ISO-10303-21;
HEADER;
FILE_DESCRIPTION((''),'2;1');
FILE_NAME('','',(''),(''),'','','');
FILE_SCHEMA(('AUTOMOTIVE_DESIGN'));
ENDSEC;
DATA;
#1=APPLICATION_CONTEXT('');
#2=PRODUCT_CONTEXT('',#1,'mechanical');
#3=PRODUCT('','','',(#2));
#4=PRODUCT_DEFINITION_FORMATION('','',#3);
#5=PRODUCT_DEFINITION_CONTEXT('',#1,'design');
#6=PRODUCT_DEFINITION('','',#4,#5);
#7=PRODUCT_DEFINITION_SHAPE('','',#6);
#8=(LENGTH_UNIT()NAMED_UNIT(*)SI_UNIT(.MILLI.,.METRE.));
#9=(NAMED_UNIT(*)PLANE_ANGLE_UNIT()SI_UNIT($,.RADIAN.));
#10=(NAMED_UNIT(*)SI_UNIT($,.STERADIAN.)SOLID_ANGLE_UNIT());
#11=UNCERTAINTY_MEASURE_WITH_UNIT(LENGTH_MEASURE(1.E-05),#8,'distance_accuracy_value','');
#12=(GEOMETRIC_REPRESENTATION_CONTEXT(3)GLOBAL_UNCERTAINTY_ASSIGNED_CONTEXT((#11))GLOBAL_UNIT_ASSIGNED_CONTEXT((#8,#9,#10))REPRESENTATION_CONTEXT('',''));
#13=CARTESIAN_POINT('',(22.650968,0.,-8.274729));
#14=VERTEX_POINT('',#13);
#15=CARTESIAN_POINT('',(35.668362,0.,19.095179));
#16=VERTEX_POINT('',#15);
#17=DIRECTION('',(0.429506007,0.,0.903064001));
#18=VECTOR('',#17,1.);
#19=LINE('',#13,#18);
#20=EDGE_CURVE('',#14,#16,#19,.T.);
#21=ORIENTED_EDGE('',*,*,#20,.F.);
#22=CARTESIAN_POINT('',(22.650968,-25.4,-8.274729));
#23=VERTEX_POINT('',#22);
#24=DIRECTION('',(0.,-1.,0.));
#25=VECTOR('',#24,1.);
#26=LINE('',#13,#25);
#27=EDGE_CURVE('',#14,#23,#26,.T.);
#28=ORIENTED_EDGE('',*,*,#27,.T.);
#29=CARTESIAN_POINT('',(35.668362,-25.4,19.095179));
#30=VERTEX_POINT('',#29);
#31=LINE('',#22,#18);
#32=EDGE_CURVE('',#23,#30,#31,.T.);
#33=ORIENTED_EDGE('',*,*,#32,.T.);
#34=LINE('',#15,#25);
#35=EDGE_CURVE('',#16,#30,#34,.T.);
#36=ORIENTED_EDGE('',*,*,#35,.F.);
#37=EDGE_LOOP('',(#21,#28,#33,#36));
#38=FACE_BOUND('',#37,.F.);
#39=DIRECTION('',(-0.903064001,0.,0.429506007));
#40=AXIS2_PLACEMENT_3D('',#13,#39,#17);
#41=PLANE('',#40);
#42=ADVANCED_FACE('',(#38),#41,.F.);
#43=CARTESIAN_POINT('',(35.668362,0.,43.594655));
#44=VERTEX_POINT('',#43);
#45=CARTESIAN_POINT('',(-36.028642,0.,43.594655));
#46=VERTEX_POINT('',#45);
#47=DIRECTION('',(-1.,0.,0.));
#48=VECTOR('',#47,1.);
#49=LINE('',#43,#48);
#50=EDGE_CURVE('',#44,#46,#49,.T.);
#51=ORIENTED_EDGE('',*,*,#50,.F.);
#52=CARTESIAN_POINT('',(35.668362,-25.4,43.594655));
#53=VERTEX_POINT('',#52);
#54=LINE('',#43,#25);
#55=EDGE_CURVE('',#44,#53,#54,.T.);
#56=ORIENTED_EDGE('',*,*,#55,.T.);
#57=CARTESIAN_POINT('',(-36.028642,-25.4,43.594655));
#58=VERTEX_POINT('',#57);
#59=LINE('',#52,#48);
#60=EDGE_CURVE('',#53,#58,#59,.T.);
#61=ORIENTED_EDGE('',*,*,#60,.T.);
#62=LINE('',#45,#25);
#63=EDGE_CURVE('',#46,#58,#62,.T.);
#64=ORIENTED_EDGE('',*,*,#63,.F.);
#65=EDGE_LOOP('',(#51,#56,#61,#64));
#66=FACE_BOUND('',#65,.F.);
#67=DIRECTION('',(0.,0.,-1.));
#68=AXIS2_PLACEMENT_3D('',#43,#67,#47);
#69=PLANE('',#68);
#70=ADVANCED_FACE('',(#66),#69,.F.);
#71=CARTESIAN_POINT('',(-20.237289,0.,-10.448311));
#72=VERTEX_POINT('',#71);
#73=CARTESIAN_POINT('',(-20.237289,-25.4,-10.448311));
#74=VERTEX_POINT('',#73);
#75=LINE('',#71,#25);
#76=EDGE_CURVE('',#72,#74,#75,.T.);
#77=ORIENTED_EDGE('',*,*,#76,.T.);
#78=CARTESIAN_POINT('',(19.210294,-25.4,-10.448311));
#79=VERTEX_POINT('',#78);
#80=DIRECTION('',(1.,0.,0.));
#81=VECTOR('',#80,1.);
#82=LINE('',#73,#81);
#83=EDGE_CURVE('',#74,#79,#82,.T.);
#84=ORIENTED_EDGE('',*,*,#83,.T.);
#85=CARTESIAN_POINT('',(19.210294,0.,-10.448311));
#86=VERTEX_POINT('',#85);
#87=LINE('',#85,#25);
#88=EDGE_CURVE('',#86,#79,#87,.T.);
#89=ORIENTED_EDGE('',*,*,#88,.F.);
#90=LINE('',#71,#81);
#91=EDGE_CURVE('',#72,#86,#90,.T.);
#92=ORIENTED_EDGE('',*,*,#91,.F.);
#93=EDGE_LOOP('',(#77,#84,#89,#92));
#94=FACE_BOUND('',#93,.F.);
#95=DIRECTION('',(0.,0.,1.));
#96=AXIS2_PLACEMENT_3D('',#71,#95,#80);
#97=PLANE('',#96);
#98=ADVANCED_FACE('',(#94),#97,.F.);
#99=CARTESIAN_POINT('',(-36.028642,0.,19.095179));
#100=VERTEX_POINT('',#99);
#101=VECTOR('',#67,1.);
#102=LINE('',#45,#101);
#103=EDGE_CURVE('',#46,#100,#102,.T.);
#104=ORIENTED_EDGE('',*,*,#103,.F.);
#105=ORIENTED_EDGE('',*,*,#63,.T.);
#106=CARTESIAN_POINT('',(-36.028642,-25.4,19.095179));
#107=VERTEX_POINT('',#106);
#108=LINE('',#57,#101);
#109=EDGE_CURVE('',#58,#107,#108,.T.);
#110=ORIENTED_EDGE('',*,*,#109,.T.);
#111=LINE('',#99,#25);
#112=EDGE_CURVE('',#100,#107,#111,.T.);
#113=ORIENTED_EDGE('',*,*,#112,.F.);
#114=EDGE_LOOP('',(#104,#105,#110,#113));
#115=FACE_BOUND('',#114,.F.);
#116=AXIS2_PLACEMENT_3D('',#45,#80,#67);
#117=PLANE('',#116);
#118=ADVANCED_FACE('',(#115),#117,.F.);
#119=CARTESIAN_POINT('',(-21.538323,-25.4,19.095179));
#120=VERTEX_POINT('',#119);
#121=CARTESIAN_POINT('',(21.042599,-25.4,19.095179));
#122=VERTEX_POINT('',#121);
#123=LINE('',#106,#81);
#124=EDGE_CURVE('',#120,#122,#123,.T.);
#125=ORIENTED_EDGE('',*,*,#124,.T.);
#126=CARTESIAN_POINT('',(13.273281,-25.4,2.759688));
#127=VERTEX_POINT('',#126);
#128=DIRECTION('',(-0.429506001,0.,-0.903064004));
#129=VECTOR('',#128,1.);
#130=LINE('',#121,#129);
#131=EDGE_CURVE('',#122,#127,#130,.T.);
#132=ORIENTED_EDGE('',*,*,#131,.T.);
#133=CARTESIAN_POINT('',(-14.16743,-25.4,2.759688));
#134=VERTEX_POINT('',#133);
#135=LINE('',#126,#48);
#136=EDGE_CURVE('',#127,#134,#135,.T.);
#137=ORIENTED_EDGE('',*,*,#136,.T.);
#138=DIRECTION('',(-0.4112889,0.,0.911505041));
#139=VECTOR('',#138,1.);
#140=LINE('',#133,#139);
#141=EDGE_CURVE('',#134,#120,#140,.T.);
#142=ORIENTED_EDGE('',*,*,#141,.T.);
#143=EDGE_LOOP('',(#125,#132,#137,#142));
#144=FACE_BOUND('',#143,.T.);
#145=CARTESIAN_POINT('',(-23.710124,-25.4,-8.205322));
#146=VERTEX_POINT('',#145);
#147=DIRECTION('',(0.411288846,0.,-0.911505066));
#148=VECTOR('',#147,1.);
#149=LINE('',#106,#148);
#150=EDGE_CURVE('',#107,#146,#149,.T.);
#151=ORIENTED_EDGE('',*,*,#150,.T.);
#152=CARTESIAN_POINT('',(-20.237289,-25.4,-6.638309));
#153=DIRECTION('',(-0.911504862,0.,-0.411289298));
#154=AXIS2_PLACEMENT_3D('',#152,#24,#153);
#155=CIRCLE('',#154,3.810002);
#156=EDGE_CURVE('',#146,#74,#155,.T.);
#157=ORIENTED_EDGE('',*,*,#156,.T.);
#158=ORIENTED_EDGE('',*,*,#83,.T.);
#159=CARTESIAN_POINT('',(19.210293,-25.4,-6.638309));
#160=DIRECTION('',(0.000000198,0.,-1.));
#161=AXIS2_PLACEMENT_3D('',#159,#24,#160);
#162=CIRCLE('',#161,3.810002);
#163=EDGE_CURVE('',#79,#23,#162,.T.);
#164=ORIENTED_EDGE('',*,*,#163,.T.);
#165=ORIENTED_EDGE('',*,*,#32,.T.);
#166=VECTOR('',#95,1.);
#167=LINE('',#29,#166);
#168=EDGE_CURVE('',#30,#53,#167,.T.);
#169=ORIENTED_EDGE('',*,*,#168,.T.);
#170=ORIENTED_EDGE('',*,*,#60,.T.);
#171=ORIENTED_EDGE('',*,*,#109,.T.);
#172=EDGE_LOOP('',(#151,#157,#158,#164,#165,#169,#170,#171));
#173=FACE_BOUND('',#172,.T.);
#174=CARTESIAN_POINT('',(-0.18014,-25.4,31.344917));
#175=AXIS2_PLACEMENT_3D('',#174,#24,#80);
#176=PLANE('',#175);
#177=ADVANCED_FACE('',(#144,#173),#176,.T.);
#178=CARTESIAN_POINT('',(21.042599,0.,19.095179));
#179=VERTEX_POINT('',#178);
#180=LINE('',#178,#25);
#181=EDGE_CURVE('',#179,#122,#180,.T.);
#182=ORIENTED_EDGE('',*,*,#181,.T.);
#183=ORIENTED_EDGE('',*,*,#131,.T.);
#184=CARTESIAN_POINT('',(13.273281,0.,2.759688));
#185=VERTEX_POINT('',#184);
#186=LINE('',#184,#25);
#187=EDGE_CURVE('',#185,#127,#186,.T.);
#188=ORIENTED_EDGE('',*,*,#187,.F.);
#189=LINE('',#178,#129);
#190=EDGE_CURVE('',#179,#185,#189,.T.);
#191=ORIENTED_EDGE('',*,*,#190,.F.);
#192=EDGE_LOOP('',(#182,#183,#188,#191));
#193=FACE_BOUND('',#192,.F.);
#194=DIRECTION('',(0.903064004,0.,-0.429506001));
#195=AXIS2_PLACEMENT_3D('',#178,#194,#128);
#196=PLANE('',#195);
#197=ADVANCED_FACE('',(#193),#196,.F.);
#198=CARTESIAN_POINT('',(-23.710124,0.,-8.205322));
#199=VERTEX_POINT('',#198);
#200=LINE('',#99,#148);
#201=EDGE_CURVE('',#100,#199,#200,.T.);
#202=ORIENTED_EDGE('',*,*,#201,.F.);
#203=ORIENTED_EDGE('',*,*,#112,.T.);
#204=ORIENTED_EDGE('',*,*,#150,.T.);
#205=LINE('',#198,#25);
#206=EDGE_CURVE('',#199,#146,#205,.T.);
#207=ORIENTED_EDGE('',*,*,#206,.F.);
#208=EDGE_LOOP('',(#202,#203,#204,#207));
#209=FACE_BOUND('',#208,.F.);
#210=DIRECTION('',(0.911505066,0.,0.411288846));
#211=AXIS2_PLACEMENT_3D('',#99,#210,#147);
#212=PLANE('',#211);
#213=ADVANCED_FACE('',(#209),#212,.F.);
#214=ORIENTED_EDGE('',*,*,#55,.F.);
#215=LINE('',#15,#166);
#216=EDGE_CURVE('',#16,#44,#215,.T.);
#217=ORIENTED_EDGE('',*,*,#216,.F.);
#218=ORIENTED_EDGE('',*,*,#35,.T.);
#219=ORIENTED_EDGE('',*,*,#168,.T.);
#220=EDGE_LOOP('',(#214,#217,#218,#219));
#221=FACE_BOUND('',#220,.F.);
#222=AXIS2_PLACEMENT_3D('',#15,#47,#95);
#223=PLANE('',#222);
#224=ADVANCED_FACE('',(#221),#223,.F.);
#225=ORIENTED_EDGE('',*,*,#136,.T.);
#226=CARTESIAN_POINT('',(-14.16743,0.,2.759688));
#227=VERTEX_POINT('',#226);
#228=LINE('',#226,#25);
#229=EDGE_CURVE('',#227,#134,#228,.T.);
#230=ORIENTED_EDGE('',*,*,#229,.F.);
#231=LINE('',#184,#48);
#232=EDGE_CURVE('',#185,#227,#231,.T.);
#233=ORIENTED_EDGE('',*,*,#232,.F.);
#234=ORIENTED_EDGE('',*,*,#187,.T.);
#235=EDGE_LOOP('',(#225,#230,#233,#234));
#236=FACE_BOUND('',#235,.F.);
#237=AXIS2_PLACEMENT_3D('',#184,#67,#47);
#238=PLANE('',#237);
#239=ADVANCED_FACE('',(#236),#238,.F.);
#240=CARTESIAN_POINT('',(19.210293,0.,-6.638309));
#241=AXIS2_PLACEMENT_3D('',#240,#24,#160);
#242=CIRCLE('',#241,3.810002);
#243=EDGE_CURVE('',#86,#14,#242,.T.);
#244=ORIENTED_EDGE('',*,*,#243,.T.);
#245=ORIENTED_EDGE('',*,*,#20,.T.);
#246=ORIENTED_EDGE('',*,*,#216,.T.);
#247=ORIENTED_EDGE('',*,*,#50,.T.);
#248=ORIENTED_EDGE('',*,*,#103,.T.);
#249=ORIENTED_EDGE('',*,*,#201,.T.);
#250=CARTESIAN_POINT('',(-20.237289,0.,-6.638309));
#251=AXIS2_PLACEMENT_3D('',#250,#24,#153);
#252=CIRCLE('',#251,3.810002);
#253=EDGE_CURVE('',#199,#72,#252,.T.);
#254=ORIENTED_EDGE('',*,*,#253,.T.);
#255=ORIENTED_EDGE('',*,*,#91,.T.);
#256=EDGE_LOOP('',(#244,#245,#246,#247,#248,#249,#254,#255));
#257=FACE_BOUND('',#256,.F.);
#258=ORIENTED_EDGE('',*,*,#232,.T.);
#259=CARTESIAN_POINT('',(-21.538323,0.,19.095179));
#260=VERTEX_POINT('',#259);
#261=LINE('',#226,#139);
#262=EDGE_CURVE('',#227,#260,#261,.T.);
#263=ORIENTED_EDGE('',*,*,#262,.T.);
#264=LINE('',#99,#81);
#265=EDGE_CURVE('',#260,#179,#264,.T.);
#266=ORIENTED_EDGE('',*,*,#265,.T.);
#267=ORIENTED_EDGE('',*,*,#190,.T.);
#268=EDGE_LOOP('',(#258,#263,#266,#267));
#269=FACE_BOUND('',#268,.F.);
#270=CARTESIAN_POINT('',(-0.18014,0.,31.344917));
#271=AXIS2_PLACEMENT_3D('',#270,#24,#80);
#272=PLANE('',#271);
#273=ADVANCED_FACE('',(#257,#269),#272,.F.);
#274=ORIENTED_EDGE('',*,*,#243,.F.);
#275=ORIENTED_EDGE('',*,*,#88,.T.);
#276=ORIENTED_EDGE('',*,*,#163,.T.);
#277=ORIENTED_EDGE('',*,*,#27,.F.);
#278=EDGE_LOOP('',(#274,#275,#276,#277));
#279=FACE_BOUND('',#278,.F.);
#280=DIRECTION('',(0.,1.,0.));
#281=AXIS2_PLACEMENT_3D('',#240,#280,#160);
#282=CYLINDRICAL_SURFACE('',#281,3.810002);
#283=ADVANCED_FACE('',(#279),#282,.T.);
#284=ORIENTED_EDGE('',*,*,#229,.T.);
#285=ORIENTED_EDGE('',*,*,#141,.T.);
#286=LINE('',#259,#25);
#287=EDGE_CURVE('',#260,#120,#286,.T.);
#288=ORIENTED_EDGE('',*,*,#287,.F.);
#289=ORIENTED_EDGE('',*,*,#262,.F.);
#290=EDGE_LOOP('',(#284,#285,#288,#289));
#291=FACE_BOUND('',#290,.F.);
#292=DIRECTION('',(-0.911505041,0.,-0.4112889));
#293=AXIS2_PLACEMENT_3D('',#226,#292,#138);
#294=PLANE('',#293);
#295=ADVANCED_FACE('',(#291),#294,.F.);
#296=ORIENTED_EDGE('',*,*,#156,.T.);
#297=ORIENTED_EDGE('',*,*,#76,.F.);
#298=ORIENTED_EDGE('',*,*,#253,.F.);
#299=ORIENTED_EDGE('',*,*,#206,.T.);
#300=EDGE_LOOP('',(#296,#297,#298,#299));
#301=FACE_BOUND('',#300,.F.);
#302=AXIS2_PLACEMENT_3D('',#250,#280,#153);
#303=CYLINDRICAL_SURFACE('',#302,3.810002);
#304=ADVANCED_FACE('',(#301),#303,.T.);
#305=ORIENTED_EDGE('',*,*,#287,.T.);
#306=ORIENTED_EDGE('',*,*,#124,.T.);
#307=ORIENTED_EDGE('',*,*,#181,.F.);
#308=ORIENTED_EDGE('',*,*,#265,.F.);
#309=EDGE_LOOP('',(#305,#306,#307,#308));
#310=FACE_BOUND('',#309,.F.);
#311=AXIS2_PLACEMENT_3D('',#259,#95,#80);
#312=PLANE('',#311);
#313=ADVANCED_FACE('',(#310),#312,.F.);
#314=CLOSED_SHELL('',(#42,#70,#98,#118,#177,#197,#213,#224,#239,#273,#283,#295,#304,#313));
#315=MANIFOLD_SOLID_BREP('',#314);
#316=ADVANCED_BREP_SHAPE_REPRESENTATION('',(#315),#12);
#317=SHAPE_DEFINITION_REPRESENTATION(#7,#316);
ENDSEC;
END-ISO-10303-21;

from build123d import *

# Parameters (mm, degrees)
F1_DEPTH = 25.4


with BuildPart() as f1:
    # F0 (on Front) → F1 (new body)
    with BuildSketch(Plane.XZ):
        Polygon((35.668362, 43.594655), (-36.028642, 43.594655), (-36.028642, 19.095179), (-21.538323, 19.095179), (21.042599, 19.095179), (35.668362, 19.095179), align=None)
        with BuildLine():
            Line((-21.538323, 19.095179), (-36.028642, 19.095179))
            Line((-36.028642, 19.095179), (-23.710124, -8.205322))
            ThreePointArc((-23.710124, -8.205322), (-22.304387, -9.838812), (-20.237289, -10.448311))
            Line((-20.237289, -10.448311), (19.210294, -10.448311))
            ThreePointArc((19.210294, -10.448311), (21.245158, -9.859402), (22.650968, -8.274729))
            Line((22.650968, -8.274729), (35.668362, 19.095179))
            Line((35.668362, 19.095179), (21.042599, 19.095179))
            Line((21.042599, 19.095179), (13.273281, 2.759688))
            Line((13.273281, 2.759688), (-14.16743, 2.759688))
            Line((-14.16743, 2.759688), (-21.538323, 19.095179))
        make_face()
    extrude(amount=F1_DEPTH)


solid = f1.part
